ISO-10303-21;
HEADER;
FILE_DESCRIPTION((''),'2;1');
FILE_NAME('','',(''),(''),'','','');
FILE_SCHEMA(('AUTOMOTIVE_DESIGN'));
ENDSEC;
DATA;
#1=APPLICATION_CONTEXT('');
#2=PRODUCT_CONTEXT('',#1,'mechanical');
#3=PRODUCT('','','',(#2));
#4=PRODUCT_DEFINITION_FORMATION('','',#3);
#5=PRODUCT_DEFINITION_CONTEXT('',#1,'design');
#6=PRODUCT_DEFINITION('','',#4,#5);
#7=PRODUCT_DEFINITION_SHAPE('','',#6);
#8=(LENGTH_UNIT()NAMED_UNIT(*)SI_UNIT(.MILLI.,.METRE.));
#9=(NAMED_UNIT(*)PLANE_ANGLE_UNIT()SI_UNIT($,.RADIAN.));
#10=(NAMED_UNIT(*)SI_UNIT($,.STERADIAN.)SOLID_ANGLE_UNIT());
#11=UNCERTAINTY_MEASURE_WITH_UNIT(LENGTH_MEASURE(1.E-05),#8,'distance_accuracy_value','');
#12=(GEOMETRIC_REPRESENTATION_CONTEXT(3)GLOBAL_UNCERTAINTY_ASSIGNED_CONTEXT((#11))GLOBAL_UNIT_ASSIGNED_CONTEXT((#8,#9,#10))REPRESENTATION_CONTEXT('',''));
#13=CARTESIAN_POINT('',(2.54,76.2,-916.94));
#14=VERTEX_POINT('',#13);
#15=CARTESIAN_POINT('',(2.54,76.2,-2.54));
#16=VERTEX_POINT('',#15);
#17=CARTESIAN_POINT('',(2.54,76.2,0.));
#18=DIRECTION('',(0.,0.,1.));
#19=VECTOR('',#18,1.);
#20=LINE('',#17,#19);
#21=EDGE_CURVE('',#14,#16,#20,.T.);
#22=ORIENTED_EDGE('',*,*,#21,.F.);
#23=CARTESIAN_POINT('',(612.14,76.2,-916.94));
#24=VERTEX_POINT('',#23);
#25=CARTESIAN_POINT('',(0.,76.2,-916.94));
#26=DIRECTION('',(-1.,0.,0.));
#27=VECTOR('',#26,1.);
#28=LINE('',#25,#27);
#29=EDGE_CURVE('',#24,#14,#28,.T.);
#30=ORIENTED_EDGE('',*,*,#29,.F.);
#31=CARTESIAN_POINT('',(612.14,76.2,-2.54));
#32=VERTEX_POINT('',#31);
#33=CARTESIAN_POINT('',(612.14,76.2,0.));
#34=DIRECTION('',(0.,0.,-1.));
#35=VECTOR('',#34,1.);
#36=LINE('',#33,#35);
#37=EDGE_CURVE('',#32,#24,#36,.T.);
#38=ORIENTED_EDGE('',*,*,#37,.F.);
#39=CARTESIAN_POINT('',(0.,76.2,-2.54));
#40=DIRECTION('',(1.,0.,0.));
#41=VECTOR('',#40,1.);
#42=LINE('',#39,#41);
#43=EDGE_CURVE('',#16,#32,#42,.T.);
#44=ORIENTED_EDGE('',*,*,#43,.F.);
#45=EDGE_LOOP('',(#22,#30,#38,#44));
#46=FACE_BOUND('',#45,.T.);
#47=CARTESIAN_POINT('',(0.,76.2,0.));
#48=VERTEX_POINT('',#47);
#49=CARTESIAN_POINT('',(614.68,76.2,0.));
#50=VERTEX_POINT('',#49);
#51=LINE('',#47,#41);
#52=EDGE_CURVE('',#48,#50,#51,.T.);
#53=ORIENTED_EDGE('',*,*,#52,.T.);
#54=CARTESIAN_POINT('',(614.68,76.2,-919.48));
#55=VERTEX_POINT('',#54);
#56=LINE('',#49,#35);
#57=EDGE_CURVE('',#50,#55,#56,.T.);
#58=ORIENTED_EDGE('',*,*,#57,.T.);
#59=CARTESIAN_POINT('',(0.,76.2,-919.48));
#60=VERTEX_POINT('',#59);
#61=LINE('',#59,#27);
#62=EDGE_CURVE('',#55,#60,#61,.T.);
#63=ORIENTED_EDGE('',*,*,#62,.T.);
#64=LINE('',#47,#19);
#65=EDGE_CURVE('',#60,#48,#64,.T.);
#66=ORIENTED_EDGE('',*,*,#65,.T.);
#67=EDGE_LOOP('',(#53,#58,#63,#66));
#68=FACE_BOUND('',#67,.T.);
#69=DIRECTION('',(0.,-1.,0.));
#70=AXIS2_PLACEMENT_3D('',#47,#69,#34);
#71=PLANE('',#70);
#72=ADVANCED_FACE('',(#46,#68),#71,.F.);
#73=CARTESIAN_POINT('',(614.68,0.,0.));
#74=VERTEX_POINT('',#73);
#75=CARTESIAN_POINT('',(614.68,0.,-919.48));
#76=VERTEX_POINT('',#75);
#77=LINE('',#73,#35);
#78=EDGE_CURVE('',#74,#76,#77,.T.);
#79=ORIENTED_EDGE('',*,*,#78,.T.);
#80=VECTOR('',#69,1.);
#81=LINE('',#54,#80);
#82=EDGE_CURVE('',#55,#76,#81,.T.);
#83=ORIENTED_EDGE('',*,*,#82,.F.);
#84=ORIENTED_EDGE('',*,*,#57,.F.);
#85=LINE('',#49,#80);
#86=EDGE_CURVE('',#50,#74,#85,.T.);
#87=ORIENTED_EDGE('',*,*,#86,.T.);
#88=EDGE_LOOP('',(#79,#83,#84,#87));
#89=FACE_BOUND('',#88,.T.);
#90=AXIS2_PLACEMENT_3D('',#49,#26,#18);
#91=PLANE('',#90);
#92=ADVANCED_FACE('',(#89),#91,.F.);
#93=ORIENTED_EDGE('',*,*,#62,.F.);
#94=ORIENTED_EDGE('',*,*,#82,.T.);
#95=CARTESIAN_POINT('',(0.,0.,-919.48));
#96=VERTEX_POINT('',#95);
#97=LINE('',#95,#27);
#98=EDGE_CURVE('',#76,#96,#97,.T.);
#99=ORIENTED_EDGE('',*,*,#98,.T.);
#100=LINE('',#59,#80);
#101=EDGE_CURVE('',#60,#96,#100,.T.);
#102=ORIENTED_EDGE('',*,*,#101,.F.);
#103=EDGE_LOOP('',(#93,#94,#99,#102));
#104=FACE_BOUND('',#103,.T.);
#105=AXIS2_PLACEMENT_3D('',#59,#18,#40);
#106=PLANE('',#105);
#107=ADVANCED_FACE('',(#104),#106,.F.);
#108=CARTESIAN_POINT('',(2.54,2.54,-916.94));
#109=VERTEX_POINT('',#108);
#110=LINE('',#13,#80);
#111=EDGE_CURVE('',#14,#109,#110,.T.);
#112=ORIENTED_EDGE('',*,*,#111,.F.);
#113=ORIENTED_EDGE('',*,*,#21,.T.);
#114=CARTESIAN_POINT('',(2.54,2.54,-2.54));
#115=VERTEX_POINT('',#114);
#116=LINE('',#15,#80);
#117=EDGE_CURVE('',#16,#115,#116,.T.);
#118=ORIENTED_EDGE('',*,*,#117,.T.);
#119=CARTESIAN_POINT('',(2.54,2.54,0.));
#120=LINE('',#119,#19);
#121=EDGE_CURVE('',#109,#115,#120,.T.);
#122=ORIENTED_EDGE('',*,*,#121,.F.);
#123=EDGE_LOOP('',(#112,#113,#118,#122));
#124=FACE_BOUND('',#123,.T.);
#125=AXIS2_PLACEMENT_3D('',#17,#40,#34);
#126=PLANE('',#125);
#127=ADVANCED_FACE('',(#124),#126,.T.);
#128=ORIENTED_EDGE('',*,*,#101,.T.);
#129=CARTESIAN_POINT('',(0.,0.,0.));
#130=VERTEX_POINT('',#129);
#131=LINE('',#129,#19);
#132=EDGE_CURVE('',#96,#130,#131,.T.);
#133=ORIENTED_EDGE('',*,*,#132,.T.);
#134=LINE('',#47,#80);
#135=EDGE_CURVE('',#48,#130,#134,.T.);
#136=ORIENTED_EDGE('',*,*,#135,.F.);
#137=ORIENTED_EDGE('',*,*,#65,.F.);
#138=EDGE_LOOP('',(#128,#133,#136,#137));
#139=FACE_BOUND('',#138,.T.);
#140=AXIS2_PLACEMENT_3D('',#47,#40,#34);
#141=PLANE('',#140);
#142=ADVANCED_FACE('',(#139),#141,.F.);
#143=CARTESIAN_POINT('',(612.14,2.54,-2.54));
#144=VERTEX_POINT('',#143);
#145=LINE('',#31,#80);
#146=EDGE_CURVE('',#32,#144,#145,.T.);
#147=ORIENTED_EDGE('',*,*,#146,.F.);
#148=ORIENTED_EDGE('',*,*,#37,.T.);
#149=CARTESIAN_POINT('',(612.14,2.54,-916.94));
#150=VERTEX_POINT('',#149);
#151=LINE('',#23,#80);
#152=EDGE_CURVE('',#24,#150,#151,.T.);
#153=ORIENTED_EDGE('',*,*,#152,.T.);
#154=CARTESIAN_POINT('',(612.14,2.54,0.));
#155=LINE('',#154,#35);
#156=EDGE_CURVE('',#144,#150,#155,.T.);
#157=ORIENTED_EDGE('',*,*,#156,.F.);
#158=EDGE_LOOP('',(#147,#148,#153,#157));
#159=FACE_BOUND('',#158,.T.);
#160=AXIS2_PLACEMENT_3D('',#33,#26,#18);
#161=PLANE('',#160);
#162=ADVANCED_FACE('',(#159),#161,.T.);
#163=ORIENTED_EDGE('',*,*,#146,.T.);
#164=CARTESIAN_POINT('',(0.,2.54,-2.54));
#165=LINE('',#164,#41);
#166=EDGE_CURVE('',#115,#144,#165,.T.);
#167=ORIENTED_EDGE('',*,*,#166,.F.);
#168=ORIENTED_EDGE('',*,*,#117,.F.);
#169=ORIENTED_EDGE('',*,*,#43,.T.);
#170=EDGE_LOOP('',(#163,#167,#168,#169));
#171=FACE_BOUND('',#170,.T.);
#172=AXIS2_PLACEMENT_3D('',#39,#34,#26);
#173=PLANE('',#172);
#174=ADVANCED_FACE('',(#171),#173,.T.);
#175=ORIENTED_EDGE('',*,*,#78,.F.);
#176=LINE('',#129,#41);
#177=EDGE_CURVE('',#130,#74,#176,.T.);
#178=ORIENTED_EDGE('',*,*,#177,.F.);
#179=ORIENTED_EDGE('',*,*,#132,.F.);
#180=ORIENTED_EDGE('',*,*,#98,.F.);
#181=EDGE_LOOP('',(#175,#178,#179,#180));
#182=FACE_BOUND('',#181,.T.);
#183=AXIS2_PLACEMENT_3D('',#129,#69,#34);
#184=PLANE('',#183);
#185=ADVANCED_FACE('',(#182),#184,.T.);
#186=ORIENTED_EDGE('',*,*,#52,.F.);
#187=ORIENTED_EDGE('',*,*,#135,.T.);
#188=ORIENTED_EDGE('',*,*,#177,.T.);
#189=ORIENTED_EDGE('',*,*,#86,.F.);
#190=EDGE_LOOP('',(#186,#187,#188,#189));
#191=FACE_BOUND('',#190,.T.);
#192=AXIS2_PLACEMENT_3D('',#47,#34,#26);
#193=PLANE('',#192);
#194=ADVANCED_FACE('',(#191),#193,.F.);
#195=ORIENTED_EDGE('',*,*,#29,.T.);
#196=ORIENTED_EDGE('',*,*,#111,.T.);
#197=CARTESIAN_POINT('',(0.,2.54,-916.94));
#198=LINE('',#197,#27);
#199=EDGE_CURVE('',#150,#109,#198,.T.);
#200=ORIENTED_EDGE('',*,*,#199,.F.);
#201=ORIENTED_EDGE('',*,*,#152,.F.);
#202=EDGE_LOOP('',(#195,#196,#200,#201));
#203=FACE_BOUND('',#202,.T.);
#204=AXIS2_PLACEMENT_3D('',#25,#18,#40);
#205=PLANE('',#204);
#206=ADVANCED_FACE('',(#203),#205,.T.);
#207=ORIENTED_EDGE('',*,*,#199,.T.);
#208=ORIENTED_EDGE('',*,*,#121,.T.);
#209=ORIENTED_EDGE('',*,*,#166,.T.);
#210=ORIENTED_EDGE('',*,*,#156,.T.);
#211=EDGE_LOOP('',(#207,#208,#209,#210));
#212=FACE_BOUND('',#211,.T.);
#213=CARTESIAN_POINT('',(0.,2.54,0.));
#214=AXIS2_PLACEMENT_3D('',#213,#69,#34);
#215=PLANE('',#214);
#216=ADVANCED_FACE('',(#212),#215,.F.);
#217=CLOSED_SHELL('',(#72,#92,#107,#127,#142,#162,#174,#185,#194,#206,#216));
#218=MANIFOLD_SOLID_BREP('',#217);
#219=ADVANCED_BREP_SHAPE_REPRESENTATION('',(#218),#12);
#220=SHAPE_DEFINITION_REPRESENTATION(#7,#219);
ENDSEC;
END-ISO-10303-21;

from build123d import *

# Parameters (mm, degrees)
SKETCH1_W           = 614.68
SKETCH1_H           = 919.48
BOSS_EXTRUDE1_DEPTH = 76.2
SHELL1_T            = -2.54


with BuildPart() as part:
    # Sketch1 → Boss-Extrude1 (new body)
    with BuildSketch(Plane(origin=(0, 0, 0), x_dir=(1, 0, 0), z_dir=(0, 1, 0))):
        with Locations((307.34, 459.74)):
            Rectangle(SKETCH1_W, SKETCH1_H)
    extrude(amount=BOSS_EXTRUDE1_DEPTH)

    # Shell1
    shell1_openings = [part.faces().sort_by_distance(p)[0] for p in [
        (307.34, 76.2, -459.74),
    ]]
    offset(amount=SHELL1_T, openings=shell1_openings, kind=Kind.INTERSECTION)


solid = part.part
